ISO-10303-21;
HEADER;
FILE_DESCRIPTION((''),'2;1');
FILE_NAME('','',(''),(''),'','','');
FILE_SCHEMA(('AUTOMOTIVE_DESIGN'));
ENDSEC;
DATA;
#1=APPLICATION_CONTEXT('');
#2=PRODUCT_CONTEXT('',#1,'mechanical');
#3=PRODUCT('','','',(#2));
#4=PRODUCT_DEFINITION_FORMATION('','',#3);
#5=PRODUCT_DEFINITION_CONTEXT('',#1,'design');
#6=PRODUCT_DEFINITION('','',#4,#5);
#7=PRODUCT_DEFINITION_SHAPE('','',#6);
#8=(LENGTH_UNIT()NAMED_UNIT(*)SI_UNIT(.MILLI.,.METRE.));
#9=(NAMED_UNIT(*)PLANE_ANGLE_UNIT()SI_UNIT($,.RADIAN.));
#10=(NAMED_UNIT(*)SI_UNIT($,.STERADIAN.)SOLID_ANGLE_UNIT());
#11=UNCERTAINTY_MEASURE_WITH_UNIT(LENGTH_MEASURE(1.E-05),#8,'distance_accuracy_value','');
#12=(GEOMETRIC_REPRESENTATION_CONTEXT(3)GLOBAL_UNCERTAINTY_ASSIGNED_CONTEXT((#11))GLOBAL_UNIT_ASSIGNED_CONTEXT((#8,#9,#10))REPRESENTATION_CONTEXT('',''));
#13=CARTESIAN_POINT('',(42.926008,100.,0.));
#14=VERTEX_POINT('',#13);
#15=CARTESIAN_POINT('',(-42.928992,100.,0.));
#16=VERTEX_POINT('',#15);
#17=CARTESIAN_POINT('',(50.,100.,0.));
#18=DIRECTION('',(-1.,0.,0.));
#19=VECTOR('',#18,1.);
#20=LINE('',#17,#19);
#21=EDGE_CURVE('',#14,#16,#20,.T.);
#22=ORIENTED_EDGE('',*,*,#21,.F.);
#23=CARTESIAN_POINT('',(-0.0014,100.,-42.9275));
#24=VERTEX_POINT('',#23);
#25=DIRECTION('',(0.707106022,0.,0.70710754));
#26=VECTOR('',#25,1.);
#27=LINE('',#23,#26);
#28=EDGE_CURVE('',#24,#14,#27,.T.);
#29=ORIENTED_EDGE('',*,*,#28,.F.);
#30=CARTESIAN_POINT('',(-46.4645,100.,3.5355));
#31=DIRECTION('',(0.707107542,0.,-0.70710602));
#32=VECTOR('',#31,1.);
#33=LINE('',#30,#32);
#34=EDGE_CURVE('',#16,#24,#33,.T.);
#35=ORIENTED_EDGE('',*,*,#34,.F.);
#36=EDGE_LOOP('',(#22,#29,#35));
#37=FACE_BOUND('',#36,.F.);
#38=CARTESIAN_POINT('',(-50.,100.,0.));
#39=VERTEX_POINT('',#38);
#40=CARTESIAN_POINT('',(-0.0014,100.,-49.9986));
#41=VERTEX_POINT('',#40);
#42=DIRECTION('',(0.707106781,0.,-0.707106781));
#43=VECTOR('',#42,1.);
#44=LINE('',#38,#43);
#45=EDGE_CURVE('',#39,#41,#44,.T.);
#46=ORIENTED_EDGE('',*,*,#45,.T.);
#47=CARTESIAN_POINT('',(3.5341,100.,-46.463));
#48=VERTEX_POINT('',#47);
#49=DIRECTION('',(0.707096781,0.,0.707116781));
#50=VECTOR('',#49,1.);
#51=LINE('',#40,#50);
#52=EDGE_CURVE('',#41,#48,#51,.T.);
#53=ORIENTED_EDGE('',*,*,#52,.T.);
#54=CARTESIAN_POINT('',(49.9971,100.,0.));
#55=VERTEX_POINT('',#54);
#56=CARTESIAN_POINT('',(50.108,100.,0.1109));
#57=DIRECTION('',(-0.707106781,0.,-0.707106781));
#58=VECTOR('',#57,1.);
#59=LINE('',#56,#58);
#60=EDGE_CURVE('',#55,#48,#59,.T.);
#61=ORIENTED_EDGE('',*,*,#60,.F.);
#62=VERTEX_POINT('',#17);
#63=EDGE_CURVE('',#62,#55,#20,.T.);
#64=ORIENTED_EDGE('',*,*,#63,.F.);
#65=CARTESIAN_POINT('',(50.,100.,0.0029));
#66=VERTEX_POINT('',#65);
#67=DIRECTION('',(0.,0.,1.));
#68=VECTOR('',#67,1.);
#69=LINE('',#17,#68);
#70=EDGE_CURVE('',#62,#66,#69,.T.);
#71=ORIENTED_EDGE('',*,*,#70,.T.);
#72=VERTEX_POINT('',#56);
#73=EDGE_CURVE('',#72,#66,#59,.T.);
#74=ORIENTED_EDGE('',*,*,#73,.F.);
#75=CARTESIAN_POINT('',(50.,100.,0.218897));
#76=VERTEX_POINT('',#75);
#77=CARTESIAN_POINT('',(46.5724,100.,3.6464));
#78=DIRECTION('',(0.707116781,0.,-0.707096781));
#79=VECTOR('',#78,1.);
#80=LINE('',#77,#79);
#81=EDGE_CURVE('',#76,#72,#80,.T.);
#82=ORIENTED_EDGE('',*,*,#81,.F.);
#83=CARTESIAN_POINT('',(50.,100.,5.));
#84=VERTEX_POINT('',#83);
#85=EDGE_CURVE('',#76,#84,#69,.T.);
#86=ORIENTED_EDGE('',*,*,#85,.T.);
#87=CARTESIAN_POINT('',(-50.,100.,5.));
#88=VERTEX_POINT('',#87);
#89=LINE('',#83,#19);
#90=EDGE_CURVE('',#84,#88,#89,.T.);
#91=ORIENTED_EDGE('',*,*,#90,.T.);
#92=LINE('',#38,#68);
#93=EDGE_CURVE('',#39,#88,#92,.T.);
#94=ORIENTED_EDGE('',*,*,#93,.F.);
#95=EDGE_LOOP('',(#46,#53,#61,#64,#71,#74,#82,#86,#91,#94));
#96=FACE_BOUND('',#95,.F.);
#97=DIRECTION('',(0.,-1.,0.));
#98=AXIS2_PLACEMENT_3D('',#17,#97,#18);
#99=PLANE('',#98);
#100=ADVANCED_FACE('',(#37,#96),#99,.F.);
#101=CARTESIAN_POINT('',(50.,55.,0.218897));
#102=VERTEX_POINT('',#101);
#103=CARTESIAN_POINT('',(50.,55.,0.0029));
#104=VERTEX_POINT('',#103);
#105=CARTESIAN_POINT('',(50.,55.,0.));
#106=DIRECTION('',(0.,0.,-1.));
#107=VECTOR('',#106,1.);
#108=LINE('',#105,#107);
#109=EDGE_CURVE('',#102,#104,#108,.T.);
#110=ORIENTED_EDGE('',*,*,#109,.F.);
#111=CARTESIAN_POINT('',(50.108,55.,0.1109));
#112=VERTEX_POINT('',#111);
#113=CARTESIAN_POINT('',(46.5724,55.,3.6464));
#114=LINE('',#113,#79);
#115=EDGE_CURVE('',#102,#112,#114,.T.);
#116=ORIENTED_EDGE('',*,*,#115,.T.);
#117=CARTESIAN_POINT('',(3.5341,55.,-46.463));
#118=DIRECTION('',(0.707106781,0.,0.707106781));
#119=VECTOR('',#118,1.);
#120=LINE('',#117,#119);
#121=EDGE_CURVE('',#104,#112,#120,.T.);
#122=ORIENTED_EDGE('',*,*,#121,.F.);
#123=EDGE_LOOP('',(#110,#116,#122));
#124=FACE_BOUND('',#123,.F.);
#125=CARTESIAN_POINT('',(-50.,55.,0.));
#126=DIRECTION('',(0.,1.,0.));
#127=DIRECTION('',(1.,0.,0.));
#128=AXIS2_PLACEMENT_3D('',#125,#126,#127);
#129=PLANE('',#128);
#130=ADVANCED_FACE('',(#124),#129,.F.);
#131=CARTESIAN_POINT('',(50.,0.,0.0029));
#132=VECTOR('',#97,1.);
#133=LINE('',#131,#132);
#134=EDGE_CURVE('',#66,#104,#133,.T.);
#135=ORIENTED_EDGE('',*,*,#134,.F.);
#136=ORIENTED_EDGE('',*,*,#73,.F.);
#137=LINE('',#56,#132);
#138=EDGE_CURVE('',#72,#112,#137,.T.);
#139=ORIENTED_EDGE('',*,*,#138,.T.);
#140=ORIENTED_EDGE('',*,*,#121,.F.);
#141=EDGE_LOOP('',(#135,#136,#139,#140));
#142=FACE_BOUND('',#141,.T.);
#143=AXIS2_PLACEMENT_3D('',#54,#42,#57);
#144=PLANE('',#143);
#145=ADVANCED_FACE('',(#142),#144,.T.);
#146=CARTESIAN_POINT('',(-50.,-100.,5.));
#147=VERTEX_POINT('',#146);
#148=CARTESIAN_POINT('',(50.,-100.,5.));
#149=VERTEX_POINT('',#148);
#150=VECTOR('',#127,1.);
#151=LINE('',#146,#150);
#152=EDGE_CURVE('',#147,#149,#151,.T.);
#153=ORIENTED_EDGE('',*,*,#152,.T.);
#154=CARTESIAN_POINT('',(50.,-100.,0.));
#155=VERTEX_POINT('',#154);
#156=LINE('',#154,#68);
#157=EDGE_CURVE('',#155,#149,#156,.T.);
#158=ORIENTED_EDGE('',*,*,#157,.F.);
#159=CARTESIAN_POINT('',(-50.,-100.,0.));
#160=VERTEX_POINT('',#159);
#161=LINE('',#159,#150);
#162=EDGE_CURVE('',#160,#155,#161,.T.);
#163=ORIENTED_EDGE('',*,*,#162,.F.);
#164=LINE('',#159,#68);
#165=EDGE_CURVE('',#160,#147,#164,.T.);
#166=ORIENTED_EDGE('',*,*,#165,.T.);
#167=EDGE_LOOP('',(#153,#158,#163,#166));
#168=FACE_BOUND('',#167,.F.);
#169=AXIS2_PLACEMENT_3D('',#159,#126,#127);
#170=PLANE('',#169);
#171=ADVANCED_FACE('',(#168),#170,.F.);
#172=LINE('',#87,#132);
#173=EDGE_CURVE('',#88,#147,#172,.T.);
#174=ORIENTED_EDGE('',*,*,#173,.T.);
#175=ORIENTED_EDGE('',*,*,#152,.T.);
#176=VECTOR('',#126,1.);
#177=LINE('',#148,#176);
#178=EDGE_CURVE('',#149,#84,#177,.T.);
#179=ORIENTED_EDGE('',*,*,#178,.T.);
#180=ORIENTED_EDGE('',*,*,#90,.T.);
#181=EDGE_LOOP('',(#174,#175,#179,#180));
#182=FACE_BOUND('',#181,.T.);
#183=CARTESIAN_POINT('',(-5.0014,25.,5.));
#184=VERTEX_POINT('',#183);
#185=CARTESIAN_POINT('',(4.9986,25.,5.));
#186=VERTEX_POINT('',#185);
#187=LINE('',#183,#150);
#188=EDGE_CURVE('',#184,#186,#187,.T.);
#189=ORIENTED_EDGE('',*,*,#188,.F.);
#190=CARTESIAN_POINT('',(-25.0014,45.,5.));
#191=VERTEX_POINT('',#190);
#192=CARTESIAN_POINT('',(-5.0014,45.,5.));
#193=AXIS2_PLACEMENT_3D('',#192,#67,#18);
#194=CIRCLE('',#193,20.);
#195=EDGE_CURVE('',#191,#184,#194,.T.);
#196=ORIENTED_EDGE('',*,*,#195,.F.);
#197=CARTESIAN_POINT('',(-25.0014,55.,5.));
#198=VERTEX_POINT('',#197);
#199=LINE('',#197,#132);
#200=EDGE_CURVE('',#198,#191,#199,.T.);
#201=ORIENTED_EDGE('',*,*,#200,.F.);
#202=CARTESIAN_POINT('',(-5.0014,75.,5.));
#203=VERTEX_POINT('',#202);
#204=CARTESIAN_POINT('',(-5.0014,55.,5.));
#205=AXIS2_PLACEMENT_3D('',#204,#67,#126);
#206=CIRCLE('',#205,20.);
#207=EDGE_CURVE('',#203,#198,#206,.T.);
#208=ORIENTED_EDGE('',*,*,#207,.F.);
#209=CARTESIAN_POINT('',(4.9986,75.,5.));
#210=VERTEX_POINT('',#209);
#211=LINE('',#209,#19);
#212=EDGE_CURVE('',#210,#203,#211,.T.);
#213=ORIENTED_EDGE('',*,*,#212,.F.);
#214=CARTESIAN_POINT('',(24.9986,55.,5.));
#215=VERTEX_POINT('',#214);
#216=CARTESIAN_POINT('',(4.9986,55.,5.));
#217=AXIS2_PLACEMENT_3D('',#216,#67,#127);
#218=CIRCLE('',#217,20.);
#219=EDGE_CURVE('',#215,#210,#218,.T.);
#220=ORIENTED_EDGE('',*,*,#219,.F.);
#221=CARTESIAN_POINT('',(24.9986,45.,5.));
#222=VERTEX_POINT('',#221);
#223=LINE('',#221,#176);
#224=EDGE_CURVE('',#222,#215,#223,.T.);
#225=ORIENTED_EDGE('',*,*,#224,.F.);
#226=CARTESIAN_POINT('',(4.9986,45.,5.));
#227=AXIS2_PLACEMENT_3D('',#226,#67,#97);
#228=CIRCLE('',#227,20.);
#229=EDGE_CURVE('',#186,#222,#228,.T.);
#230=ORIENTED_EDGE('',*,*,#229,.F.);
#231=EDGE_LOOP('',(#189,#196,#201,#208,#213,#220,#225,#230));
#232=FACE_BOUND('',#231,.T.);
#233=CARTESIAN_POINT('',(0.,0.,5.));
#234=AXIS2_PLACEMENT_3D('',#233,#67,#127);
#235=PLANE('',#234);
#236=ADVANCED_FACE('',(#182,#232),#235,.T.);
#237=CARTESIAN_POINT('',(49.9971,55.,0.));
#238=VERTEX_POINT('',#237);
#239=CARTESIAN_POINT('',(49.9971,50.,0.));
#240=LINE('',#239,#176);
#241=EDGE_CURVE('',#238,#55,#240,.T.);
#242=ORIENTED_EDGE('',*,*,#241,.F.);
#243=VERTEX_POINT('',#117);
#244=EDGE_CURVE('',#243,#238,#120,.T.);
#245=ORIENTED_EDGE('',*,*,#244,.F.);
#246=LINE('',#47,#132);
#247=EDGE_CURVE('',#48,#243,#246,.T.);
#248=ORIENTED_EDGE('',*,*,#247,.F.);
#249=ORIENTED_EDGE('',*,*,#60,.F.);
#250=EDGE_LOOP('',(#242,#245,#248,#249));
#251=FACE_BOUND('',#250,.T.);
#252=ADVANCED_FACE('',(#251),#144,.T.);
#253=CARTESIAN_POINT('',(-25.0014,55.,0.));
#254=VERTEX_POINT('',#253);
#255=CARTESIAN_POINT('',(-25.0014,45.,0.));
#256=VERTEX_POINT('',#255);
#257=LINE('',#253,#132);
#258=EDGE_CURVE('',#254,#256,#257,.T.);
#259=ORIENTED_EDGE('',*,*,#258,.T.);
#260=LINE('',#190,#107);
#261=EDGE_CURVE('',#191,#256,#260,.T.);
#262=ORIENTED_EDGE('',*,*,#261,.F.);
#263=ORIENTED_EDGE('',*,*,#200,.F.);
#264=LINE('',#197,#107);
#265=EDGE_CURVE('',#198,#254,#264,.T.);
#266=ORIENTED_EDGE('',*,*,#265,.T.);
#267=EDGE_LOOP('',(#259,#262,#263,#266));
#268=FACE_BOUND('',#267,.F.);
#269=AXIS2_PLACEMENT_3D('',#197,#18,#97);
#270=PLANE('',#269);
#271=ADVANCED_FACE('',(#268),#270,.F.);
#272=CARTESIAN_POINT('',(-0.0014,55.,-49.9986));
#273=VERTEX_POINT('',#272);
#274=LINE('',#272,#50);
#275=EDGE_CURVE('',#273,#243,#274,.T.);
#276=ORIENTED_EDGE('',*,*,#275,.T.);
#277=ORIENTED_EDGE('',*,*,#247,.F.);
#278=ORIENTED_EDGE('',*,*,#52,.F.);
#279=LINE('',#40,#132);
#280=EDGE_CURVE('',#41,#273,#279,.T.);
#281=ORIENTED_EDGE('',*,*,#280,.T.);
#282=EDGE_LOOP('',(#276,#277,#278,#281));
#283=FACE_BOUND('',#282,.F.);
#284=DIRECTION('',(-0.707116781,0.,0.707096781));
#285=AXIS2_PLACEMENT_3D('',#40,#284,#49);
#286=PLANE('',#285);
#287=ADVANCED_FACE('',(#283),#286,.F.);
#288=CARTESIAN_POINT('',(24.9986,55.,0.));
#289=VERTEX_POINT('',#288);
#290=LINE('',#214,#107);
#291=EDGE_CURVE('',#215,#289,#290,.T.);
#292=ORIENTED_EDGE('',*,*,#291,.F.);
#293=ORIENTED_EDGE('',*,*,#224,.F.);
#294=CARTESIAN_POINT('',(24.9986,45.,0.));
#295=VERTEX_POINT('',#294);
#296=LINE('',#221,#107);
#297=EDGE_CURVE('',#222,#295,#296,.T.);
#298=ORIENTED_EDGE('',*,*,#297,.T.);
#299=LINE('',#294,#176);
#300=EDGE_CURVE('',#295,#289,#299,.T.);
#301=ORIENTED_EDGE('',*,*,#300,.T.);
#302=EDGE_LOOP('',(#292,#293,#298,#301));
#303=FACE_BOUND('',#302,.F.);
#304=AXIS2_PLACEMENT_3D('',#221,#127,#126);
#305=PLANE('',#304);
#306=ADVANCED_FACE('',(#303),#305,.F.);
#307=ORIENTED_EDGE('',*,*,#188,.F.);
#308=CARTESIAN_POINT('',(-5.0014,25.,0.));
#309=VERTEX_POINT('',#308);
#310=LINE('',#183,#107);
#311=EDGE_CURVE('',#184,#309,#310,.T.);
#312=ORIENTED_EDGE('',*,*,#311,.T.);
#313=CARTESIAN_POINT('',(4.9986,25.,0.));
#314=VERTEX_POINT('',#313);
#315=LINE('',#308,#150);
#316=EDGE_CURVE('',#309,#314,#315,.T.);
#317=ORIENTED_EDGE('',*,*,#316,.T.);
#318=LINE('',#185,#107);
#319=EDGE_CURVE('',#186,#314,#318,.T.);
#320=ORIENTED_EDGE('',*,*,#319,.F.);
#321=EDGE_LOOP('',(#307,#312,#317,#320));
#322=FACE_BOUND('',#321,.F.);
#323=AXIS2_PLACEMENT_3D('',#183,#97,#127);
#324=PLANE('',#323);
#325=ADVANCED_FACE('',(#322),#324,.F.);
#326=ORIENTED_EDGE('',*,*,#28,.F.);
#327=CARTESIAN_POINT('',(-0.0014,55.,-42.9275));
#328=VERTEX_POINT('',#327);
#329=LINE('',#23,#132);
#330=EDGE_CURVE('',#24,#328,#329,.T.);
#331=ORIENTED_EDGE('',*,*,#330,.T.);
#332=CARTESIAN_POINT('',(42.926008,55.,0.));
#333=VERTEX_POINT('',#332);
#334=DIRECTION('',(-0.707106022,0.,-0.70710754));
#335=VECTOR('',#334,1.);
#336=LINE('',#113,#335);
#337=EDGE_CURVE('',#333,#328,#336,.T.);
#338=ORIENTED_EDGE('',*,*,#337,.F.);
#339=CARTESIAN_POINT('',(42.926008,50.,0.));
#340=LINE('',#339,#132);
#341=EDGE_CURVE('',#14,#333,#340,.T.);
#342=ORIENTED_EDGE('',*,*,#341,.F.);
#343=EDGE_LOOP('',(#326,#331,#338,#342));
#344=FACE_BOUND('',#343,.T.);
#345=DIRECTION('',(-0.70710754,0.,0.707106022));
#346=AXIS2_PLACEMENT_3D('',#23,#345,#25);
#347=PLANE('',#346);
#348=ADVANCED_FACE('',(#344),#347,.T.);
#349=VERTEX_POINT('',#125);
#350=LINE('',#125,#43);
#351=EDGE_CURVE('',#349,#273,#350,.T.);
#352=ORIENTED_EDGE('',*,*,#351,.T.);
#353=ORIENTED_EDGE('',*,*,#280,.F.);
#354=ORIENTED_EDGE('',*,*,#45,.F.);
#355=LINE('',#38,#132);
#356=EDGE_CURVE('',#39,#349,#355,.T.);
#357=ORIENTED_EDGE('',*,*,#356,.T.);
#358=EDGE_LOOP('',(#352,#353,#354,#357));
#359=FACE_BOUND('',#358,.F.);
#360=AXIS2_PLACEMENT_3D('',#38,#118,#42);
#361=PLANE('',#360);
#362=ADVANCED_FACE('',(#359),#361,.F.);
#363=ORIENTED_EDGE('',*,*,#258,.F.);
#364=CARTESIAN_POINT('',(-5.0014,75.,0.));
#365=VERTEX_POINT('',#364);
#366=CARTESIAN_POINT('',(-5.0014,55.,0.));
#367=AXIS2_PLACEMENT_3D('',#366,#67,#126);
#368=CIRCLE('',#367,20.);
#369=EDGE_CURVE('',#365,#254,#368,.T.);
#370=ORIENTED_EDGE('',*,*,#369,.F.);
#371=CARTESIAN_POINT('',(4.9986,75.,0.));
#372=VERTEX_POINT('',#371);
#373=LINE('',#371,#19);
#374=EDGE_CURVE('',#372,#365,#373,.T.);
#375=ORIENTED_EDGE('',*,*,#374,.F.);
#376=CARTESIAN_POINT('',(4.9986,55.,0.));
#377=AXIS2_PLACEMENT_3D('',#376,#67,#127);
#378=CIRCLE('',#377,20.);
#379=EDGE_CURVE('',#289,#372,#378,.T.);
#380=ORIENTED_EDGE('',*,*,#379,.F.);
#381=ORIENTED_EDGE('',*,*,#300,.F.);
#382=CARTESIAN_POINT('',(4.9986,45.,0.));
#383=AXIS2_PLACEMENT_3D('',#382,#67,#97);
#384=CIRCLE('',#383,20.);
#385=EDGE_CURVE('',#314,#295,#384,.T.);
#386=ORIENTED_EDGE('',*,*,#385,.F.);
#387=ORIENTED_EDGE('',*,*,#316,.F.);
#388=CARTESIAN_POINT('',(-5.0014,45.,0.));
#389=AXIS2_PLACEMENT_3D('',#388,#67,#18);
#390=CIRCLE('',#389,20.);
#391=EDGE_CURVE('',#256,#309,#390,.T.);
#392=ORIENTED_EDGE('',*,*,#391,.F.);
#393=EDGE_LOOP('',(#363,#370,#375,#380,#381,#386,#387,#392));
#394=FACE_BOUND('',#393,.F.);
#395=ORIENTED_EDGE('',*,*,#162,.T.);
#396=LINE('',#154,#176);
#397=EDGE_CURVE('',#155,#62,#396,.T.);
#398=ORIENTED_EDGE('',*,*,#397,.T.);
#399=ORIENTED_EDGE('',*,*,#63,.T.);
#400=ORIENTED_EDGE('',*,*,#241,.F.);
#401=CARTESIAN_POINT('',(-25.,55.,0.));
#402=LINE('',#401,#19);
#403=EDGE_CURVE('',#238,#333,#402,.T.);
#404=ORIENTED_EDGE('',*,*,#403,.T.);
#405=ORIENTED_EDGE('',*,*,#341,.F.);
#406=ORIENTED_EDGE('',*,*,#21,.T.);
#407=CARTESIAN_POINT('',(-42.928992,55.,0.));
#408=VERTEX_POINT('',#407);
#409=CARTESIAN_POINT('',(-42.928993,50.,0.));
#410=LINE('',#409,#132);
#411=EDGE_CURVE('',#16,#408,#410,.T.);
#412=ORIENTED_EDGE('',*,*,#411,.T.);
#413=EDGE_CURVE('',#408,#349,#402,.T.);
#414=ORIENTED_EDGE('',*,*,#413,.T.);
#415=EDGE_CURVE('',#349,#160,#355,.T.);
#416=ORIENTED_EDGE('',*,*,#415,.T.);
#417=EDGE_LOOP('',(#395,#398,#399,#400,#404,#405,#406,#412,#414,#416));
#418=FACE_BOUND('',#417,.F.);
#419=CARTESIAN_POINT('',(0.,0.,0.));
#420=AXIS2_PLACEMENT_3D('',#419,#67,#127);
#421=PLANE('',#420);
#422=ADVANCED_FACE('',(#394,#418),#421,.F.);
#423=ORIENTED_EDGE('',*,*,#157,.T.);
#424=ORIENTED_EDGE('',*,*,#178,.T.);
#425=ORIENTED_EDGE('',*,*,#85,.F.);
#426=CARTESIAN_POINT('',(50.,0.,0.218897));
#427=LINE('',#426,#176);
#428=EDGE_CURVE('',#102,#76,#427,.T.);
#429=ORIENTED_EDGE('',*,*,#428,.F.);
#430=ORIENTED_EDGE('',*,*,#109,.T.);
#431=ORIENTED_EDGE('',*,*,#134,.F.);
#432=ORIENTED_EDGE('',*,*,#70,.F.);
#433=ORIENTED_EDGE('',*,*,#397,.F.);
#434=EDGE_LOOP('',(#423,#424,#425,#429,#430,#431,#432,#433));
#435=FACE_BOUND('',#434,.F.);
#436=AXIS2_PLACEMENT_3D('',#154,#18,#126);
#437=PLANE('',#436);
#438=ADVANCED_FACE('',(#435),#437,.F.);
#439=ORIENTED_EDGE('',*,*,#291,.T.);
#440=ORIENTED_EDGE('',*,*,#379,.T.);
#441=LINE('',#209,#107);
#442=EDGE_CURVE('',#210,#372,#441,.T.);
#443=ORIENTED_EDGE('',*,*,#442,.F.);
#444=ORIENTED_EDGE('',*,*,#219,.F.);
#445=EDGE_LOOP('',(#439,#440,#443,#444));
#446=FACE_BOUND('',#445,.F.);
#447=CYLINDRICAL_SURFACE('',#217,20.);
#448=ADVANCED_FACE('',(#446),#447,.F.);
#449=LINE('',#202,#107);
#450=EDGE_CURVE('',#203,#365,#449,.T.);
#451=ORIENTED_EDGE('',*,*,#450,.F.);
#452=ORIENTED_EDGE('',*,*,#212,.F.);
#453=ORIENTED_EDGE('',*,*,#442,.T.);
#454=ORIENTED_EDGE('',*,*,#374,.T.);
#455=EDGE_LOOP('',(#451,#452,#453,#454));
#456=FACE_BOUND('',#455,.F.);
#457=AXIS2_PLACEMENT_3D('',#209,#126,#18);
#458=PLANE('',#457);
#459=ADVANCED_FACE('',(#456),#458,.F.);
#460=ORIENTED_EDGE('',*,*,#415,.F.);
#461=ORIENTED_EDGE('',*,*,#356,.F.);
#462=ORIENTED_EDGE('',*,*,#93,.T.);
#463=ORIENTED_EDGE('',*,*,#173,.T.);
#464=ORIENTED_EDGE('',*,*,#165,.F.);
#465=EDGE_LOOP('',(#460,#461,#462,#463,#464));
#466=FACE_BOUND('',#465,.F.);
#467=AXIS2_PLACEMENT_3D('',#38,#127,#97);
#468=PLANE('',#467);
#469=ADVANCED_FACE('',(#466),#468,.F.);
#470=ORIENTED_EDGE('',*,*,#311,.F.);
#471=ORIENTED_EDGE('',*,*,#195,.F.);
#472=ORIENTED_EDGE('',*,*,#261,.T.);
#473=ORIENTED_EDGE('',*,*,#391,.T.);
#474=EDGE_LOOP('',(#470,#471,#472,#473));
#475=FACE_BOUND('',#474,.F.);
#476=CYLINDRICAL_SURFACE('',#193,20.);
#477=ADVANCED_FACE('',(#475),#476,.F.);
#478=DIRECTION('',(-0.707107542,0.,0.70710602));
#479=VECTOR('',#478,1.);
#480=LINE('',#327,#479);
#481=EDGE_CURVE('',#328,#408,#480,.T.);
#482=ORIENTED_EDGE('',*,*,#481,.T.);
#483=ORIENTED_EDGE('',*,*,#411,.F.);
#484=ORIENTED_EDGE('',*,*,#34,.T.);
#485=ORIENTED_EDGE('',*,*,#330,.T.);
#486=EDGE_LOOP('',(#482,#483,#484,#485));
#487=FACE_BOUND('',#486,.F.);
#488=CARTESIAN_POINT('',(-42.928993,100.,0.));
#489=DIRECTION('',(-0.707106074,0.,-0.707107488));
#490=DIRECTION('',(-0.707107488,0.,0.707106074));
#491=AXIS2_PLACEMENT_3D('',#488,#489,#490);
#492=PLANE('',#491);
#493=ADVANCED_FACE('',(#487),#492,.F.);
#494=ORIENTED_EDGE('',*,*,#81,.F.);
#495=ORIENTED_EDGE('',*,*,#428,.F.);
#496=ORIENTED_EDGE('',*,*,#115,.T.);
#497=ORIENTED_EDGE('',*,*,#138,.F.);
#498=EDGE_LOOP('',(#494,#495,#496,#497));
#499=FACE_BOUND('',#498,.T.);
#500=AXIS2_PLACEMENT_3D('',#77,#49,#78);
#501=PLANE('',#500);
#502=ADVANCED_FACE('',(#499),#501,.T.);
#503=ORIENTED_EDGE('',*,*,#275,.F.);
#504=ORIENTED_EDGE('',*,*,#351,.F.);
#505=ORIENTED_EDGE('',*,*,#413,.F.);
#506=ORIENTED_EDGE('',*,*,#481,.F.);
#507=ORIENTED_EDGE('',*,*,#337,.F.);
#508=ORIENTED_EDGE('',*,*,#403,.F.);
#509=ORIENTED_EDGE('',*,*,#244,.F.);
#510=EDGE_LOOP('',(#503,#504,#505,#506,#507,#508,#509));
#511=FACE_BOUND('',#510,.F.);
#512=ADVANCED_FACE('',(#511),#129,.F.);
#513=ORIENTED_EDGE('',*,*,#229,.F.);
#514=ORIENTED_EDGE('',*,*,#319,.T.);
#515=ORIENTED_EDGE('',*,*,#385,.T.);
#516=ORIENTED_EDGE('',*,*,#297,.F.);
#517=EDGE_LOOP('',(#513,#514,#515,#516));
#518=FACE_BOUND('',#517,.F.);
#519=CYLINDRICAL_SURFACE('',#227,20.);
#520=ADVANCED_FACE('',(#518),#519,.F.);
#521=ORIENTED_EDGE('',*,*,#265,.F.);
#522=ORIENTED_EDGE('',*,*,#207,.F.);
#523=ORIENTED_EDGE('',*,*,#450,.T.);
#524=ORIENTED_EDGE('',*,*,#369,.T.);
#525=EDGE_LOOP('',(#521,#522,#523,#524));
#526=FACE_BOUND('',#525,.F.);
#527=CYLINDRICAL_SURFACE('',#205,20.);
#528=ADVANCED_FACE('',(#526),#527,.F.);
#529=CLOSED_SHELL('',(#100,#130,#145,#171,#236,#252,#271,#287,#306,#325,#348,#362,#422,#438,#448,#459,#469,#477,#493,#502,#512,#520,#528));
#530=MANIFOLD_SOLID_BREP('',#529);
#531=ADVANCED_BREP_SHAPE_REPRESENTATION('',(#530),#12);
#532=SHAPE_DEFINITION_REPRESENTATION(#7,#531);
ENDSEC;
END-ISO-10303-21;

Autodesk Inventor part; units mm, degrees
ref_plane "YZ Plane" through (0, 0, 0) normal (1, 0, 0) x (0, 1, 0)
ref_plane "XZ Plane" through (0, 0, 0) normal (0, 1, 0) x (-1, 0, 0)
ref_plane "XY Plane" through (0, 0, 0) normal (0, 0, 1) x (1, 0, 0)
sketch "Sketch1" plane through (0, 0, 0) normal (0, 0, 1) x (1, 0, 0)
  line L0 (-50, -100) -> (50, -100)
  line L1 (50, -100) -> (50, 100)
  line L2 (50, 100) -> (-50, 100)
  line L3 (-50, 100) -> (-50, -100)
  line L4 (-50, -100) -> (50, 100) construction
  line L5 (50, -100) -> (-50, 100) construction
  point P0 (0, 0)
  dimension "d0" = 100
  dimension "d1" = 200
extrude "Extrusion1" add sketch "Sketch1" along normal blind 5
sketch "Sketch2" plane through (-50, 100, 0) normal (0, 1, 0) x (1, 0, 0)
  line L0 (0, 0) -> (100, 0) projected
  line L1 (0, 0) -> (49.9986, 49.9986)
  line L2 (49.9986, 49.9986) -> (53.5341, 46.463)
  line L3 (53.5341, 46.463) -> (3.5355, -3.5355)
  line L4 (3.5355, -3.5355) -> (0, 0)
  line L5 (0, 0) -> (70.7086, 0) construction
  line L6 (100.108, -0.1109) -> (53.5341, 46.463)
  line L7 (53.5341, 46.463) -> (49.9986, 42.9275)
  line L8 (49.9986, 42.9275) -> (96.5724, -3.6464)
  line L9 (96.5724, -3.6464) -> (100.108, -0.1109)
  point P0 (50, 0)
  point P1 (49.9986, 42.9275)
  dimension "d4" = 45
  dimension "d5" = 5
  dimension "d6" = 5
extrude "Extrusion2" add sketch "Sketch2" against normal blind 45 contours L1 L2 L3 L0 | L0 L3 L4 | L8 L3 L6 L0 | L0 L6 L9 L8
sketch "Sketch6" plane through (0, 0, 5) normal (0, 0, 1) x (1, 0, 0)
  line L0 (4.9986, 75) -> (-5.0014, 75)
  line L1 (-25.0014, 55) -> (-25.0014, 45)
  line L2 (-5.0014, 25) -> (4.9986, 25)
  line L3 (24.9986, 45) -> (24.9986, 55)
  line L4 (24.9986, 75) -> (-25.0014, 25) construction
  line L5 (-25.0014, 75) -> (24.9986, 25) construction
  arc A0 (4.9986, 25) -> (24.9986, 45) centre (4.9986, 45) ccw
  arc A1 (24.9986, 55) -> (4.9986, 75) centre (4.9986, 55) ccw
  arc A2 (-5.0014, 75) -> (-25.0014, 55) centre (-5.0014, 55) ccw
  arc A3 (-25.0014, 45) -> (-5.0014, 25) centre (-5.0014, 45) ccw
  point P0 (0, 0)
  point P1 (-0.0014, 50)
  dimension "d21" = 50
  dimension "d22" = 50
  dimension "d23" = 20
extrude "Extrusion6" cut sketch "Sketch6" against normal blind 5
properties part number "fixation_v04b"
